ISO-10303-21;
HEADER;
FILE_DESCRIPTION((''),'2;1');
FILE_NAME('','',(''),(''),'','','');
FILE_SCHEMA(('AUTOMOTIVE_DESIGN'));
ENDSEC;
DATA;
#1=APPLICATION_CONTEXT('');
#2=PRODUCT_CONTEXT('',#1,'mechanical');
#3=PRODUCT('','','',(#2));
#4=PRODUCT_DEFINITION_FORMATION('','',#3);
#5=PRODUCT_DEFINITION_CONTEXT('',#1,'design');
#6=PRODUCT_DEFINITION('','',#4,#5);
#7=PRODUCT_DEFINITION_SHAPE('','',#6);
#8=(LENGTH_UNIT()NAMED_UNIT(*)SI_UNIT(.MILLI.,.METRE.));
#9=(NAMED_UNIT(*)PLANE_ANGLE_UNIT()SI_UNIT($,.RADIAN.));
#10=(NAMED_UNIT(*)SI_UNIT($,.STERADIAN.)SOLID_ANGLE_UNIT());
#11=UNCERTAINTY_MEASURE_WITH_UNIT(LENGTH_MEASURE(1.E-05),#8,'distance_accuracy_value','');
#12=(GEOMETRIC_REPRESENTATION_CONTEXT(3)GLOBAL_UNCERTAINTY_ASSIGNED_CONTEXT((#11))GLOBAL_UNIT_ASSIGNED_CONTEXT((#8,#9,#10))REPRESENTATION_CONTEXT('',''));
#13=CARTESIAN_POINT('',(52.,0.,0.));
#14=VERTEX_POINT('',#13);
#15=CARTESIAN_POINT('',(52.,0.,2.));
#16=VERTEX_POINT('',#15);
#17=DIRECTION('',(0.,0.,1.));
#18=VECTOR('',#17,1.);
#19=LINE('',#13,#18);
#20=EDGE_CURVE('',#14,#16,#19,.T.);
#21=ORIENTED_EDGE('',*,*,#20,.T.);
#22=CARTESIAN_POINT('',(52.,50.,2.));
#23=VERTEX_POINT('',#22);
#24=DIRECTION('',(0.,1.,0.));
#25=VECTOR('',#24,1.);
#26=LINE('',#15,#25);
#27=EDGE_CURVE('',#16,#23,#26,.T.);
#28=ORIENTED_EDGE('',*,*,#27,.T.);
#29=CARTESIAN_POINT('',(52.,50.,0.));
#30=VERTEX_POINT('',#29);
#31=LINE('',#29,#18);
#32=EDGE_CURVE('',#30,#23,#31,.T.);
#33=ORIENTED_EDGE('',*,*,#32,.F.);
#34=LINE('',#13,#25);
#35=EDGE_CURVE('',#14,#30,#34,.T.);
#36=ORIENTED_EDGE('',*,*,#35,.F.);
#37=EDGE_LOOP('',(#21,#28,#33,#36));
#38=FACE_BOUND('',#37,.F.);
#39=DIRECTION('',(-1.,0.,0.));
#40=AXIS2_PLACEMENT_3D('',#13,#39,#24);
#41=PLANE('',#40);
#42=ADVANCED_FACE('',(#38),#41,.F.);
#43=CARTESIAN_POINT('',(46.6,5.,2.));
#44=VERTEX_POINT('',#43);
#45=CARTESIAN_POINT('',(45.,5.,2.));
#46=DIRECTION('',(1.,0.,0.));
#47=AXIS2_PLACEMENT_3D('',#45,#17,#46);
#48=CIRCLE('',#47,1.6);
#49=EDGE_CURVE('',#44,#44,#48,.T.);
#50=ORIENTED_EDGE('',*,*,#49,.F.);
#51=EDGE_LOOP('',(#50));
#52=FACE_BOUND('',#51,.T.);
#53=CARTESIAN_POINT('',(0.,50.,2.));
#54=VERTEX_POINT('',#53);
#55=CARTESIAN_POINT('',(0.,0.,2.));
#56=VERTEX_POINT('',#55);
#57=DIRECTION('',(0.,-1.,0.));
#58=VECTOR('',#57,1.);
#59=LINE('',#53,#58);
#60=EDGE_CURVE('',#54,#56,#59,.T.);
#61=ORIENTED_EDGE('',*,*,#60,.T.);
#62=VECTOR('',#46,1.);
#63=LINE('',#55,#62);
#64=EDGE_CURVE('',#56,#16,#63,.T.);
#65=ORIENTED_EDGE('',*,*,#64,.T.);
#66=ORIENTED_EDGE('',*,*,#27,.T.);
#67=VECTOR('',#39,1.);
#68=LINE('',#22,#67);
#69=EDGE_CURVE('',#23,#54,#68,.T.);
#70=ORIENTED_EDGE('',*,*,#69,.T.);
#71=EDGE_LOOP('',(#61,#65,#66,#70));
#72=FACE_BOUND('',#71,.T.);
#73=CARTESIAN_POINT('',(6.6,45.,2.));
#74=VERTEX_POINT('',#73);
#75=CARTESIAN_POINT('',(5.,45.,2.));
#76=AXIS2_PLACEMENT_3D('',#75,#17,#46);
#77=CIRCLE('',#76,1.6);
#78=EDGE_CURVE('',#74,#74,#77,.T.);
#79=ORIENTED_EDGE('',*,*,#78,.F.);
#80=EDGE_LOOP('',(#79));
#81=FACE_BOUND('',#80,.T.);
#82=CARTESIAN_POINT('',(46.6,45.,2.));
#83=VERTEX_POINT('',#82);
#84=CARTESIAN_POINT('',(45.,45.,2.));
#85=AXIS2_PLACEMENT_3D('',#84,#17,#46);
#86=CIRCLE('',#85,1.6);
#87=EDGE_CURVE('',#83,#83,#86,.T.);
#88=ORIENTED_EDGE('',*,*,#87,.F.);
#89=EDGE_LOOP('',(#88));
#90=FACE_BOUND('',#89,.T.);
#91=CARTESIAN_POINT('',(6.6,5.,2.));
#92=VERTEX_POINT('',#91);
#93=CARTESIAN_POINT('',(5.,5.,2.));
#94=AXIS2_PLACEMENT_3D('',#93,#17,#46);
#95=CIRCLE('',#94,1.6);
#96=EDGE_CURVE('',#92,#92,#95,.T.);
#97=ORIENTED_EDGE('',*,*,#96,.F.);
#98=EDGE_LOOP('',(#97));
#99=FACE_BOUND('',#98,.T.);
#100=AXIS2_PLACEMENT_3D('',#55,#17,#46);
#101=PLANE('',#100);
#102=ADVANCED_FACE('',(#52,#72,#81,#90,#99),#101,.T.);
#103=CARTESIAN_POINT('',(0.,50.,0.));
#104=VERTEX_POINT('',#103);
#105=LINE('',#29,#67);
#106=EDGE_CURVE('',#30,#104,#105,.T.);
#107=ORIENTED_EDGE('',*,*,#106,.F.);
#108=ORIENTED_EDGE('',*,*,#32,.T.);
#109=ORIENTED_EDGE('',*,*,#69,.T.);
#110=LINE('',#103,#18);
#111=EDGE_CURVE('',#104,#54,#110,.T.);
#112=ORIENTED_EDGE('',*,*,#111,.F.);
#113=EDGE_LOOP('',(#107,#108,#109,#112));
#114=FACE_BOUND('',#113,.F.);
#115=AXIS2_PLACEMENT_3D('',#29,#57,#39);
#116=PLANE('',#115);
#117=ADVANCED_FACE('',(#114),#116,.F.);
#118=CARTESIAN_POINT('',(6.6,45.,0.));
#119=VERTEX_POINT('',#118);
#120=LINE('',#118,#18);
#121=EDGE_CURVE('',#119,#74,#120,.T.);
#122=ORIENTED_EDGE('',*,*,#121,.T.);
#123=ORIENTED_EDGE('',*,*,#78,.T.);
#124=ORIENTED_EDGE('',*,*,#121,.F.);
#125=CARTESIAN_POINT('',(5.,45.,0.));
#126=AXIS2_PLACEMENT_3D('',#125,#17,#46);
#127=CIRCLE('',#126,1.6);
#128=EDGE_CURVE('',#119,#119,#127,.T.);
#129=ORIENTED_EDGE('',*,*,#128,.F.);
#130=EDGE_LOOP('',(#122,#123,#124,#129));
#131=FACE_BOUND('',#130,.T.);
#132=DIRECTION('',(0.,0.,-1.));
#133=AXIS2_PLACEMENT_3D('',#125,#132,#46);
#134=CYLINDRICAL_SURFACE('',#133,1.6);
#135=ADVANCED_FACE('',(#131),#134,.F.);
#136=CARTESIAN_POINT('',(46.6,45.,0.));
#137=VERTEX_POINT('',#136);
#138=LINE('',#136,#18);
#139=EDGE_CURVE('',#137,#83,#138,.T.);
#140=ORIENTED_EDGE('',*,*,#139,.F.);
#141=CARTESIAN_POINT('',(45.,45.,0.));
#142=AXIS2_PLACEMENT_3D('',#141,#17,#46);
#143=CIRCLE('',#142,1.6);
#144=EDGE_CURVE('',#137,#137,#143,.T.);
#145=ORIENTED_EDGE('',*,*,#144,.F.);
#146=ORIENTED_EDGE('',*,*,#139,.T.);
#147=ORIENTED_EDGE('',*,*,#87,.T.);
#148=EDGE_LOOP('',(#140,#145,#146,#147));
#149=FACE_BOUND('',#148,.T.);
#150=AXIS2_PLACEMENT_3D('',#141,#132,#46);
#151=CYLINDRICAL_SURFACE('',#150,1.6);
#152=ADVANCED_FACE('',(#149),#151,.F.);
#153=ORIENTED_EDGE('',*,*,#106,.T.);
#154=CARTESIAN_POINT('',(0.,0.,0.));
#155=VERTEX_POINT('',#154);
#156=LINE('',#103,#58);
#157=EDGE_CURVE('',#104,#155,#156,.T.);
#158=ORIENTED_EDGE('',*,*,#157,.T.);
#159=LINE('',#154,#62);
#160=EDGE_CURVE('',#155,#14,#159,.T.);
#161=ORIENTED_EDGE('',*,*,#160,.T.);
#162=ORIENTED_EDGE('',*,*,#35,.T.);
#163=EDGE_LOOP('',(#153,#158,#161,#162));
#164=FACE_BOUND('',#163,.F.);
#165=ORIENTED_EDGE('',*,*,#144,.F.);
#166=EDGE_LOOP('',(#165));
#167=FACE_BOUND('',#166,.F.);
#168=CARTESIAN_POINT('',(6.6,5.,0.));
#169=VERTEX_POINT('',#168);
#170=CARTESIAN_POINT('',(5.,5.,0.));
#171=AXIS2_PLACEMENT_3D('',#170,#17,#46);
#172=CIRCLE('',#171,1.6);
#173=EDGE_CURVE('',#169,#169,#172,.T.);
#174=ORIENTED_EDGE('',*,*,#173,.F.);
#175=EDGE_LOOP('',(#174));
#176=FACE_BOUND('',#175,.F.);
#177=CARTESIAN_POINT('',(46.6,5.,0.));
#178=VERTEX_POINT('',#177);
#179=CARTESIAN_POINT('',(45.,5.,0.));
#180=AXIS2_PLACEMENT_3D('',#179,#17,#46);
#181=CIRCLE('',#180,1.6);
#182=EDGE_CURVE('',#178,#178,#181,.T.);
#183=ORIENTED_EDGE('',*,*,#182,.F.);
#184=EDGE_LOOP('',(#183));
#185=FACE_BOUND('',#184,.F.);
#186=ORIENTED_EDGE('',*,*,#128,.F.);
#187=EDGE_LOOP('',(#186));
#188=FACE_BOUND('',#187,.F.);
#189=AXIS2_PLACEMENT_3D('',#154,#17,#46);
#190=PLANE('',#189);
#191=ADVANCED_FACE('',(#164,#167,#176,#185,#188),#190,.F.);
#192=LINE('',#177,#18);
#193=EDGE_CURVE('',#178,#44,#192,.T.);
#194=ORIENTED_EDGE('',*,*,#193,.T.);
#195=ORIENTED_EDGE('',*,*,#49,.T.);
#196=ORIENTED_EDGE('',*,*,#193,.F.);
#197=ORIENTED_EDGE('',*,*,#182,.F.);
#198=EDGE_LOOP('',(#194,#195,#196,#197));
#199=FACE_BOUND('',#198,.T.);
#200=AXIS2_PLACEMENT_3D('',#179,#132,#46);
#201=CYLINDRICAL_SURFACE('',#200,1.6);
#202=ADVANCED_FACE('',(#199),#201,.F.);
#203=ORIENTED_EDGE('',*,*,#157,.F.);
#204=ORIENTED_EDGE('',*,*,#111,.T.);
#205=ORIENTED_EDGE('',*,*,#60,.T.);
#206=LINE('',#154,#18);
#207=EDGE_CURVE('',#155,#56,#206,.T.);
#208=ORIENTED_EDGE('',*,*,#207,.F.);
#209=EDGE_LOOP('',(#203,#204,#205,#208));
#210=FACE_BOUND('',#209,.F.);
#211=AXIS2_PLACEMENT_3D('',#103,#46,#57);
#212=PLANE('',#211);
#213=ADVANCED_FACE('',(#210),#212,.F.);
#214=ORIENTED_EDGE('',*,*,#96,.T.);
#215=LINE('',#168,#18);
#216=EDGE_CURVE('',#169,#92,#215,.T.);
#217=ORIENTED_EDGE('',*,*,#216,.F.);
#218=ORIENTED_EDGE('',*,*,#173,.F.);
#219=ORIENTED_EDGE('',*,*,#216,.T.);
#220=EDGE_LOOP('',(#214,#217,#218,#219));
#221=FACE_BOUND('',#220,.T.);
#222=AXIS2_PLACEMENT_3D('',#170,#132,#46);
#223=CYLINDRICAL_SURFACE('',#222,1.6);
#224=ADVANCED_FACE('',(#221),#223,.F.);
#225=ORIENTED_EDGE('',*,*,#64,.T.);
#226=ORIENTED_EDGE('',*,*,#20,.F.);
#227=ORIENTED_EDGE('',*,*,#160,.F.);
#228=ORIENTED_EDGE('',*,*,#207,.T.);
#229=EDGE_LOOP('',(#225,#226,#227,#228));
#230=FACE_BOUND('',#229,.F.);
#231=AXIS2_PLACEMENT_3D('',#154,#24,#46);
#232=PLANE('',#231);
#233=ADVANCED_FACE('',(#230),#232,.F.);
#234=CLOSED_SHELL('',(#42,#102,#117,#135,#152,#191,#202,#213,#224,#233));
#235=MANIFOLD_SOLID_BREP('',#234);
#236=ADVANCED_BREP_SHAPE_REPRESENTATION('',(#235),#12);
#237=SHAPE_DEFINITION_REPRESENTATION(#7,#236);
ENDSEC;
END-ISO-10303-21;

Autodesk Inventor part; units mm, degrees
ref_plane "YZ Plane" through (0, 0, 0) normal (1, 0, 0) x (0, 1, 0)
ref_plane "XZ Plane" through (0, 0, 0) normal (0, 1, 0) x (-1, 0, 0)
ref_plane "XY Plane" through (0, 0, 0) normal (0, 0, 1) x (1, 0, 0)
sketch "Sketch1" plane through (0, 0, 0) normal (0, 0, 1) x (1, 0, 0)
  line L0 (0, 0) -> (52, 0)
  line L1 (52, 0) -> (52, 50)
  line L2 (52, 50) -> (0, 50)
  line L3 (0, 50) -> (0, 0)
  circle A0 centre (5, 45) radius 1.6
  circle A1 centre (45, 45) radius 1.6
  circle A2 centre (5, 5) radius 1.6
  circle A3 centre (45, 5) radius 1.6
  dimension "d0" = 52
  dimension "d1" = 50
  dimension "d2" = 3.2
  dimension "d3" = 3.2
  dimension "d4" = 3.2
  dimension "d5" = 3.2
  dimension "d6" = 7
  dimension "d7" = 5
  dimension "d8" = 5
  dimension "d9" = 5
extrude "Extrusion1" add sketch "Sketch1" along normal blind 2
properties part number "L298N"
